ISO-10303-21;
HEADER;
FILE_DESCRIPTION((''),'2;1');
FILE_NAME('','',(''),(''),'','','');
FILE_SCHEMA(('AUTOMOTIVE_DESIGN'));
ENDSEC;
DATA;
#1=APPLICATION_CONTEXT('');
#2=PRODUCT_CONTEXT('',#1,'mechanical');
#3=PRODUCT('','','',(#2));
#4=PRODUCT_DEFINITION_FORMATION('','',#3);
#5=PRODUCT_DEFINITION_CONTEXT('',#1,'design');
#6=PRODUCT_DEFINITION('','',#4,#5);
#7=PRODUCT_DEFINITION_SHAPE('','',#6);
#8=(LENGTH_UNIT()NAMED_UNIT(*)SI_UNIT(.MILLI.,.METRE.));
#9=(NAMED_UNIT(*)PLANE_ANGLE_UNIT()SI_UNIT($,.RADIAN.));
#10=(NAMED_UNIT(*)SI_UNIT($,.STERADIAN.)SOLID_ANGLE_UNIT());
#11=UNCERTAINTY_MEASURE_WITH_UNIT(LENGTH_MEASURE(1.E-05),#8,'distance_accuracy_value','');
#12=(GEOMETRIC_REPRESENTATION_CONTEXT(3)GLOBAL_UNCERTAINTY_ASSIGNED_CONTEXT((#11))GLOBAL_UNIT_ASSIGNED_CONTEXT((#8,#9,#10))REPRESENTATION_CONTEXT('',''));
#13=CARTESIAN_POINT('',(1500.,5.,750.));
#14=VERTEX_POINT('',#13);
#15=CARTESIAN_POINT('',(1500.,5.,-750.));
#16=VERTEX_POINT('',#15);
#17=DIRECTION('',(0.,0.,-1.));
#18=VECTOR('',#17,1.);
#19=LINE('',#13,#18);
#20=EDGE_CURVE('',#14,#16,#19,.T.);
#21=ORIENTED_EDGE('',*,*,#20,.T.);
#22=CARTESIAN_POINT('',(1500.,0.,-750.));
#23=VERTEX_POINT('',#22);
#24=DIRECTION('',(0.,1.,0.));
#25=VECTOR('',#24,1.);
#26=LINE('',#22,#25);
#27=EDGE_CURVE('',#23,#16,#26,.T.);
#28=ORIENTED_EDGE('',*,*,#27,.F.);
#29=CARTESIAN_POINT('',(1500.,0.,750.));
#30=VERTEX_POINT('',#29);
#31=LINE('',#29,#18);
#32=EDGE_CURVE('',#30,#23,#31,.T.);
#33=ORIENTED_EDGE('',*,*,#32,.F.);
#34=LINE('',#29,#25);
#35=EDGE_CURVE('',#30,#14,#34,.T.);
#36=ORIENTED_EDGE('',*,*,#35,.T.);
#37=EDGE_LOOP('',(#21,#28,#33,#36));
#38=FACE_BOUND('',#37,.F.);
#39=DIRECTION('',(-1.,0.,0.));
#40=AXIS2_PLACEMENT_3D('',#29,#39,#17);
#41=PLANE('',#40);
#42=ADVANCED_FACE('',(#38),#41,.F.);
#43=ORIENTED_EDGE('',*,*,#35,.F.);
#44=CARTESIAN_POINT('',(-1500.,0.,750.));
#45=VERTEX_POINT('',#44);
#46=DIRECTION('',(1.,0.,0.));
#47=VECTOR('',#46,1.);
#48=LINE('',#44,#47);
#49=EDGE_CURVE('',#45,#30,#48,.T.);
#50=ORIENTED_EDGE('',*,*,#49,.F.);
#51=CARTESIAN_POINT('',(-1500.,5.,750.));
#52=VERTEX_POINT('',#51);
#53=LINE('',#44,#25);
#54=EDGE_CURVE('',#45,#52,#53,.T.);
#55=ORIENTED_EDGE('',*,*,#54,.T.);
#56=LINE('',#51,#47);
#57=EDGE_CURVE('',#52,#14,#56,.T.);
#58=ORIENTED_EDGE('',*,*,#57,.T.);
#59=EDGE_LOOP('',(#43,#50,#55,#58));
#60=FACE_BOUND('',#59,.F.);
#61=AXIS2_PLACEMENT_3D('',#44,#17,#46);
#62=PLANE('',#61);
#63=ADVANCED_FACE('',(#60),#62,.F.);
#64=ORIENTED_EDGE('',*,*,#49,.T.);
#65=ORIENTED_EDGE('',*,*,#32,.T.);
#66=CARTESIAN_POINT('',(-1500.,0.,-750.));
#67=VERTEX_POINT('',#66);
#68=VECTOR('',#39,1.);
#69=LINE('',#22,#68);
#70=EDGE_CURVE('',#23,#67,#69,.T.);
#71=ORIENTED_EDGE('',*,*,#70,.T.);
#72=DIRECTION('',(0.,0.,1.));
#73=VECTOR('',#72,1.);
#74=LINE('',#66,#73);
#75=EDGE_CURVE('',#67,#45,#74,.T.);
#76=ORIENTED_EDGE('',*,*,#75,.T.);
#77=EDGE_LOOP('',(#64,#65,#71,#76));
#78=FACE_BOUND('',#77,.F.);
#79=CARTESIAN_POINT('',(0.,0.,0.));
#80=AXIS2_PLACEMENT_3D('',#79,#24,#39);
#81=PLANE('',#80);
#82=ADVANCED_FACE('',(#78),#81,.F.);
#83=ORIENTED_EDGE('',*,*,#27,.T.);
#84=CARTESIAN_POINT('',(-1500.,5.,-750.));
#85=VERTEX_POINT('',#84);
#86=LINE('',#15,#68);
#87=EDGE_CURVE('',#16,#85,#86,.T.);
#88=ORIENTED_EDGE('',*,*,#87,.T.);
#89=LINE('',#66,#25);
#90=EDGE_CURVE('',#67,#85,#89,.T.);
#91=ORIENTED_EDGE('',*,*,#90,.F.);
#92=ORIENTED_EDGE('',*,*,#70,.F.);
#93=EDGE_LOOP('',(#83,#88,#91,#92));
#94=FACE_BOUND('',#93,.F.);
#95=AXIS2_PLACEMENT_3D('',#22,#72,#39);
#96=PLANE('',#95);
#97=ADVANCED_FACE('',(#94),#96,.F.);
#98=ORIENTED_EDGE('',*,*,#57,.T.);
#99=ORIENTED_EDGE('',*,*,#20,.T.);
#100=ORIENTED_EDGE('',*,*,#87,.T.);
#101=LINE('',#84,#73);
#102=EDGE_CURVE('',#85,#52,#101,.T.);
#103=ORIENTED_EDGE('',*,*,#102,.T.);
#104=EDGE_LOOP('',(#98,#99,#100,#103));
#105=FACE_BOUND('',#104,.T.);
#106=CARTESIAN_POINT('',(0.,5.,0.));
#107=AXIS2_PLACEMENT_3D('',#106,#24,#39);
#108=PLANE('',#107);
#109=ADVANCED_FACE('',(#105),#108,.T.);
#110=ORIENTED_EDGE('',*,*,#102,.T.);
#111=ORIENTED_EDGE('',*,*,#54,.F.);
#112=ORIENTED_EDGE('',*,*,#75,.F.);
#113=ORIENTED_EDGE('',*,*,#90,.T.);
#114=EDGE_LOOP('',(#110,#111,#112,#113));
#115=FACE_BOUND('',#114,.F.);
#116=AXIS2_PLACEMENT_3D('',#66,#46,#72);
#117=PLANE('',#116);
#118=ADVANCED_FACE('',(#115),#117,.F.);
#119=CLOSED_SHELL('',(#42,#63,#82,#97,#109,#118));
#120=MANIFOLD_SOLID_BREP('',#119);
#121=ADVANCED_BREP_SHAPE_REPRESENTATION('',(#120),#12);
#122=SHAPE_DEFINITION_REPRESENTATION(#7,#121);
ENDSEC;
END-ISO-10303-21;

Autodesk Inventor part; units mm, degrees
ref_plane "YZ Plane" through (0, 0, 0) normal (1, 0, 0) x (0, 1, 0)
ref_plane "XZ Plane" through (0, 0, 0) normal (0, 1, 0) x (-1, 0, 0)
ref_plane "XY Plane" through (0, 0, 0) normal (0, 0, 1) x (1, 0, 0)
sketch "Эскиз1" plane through (0, 0, 0) normal (0, 1, 0) x (-1, 0, 0)
  line L0 (1500, 750) -> (-1500, 750)
  line L1 (-1500, 750) -> (-1500, -750)
  line L2 (-1500, -750) -> (1500, -750)
  line L3 (1500, -750) -> (1500, 750)
  line L4 (1500, 750) -> (-1500, -750) construction
  line L5 (-1500, 750) -> (1500, -750) construction
  point P0 (0, 0)
  dimension "d0" = 3000
  dimension "d1" = 1500
extrude "Пластина1" add sketch "Эскиз1" along normal blind 5
equation "\"d2\" = Толщина"
equation "\"Радиус_гибки\" = Толщина"
equation "\"Ширина_просечки\" = Толщина"
equation "\"Глубина_просечки\" = 0.5 * Толщина"
equation "\"Радиус_перехода\" = Радиус_гибки"
equation "\"Радиус_Якоби\" = Радиус_гибки"
equation "\"Размер_зазора\" = Толщина"
equation "\"Толщина\" = 5"
properties part number "0921_CPY" material "Steel"
